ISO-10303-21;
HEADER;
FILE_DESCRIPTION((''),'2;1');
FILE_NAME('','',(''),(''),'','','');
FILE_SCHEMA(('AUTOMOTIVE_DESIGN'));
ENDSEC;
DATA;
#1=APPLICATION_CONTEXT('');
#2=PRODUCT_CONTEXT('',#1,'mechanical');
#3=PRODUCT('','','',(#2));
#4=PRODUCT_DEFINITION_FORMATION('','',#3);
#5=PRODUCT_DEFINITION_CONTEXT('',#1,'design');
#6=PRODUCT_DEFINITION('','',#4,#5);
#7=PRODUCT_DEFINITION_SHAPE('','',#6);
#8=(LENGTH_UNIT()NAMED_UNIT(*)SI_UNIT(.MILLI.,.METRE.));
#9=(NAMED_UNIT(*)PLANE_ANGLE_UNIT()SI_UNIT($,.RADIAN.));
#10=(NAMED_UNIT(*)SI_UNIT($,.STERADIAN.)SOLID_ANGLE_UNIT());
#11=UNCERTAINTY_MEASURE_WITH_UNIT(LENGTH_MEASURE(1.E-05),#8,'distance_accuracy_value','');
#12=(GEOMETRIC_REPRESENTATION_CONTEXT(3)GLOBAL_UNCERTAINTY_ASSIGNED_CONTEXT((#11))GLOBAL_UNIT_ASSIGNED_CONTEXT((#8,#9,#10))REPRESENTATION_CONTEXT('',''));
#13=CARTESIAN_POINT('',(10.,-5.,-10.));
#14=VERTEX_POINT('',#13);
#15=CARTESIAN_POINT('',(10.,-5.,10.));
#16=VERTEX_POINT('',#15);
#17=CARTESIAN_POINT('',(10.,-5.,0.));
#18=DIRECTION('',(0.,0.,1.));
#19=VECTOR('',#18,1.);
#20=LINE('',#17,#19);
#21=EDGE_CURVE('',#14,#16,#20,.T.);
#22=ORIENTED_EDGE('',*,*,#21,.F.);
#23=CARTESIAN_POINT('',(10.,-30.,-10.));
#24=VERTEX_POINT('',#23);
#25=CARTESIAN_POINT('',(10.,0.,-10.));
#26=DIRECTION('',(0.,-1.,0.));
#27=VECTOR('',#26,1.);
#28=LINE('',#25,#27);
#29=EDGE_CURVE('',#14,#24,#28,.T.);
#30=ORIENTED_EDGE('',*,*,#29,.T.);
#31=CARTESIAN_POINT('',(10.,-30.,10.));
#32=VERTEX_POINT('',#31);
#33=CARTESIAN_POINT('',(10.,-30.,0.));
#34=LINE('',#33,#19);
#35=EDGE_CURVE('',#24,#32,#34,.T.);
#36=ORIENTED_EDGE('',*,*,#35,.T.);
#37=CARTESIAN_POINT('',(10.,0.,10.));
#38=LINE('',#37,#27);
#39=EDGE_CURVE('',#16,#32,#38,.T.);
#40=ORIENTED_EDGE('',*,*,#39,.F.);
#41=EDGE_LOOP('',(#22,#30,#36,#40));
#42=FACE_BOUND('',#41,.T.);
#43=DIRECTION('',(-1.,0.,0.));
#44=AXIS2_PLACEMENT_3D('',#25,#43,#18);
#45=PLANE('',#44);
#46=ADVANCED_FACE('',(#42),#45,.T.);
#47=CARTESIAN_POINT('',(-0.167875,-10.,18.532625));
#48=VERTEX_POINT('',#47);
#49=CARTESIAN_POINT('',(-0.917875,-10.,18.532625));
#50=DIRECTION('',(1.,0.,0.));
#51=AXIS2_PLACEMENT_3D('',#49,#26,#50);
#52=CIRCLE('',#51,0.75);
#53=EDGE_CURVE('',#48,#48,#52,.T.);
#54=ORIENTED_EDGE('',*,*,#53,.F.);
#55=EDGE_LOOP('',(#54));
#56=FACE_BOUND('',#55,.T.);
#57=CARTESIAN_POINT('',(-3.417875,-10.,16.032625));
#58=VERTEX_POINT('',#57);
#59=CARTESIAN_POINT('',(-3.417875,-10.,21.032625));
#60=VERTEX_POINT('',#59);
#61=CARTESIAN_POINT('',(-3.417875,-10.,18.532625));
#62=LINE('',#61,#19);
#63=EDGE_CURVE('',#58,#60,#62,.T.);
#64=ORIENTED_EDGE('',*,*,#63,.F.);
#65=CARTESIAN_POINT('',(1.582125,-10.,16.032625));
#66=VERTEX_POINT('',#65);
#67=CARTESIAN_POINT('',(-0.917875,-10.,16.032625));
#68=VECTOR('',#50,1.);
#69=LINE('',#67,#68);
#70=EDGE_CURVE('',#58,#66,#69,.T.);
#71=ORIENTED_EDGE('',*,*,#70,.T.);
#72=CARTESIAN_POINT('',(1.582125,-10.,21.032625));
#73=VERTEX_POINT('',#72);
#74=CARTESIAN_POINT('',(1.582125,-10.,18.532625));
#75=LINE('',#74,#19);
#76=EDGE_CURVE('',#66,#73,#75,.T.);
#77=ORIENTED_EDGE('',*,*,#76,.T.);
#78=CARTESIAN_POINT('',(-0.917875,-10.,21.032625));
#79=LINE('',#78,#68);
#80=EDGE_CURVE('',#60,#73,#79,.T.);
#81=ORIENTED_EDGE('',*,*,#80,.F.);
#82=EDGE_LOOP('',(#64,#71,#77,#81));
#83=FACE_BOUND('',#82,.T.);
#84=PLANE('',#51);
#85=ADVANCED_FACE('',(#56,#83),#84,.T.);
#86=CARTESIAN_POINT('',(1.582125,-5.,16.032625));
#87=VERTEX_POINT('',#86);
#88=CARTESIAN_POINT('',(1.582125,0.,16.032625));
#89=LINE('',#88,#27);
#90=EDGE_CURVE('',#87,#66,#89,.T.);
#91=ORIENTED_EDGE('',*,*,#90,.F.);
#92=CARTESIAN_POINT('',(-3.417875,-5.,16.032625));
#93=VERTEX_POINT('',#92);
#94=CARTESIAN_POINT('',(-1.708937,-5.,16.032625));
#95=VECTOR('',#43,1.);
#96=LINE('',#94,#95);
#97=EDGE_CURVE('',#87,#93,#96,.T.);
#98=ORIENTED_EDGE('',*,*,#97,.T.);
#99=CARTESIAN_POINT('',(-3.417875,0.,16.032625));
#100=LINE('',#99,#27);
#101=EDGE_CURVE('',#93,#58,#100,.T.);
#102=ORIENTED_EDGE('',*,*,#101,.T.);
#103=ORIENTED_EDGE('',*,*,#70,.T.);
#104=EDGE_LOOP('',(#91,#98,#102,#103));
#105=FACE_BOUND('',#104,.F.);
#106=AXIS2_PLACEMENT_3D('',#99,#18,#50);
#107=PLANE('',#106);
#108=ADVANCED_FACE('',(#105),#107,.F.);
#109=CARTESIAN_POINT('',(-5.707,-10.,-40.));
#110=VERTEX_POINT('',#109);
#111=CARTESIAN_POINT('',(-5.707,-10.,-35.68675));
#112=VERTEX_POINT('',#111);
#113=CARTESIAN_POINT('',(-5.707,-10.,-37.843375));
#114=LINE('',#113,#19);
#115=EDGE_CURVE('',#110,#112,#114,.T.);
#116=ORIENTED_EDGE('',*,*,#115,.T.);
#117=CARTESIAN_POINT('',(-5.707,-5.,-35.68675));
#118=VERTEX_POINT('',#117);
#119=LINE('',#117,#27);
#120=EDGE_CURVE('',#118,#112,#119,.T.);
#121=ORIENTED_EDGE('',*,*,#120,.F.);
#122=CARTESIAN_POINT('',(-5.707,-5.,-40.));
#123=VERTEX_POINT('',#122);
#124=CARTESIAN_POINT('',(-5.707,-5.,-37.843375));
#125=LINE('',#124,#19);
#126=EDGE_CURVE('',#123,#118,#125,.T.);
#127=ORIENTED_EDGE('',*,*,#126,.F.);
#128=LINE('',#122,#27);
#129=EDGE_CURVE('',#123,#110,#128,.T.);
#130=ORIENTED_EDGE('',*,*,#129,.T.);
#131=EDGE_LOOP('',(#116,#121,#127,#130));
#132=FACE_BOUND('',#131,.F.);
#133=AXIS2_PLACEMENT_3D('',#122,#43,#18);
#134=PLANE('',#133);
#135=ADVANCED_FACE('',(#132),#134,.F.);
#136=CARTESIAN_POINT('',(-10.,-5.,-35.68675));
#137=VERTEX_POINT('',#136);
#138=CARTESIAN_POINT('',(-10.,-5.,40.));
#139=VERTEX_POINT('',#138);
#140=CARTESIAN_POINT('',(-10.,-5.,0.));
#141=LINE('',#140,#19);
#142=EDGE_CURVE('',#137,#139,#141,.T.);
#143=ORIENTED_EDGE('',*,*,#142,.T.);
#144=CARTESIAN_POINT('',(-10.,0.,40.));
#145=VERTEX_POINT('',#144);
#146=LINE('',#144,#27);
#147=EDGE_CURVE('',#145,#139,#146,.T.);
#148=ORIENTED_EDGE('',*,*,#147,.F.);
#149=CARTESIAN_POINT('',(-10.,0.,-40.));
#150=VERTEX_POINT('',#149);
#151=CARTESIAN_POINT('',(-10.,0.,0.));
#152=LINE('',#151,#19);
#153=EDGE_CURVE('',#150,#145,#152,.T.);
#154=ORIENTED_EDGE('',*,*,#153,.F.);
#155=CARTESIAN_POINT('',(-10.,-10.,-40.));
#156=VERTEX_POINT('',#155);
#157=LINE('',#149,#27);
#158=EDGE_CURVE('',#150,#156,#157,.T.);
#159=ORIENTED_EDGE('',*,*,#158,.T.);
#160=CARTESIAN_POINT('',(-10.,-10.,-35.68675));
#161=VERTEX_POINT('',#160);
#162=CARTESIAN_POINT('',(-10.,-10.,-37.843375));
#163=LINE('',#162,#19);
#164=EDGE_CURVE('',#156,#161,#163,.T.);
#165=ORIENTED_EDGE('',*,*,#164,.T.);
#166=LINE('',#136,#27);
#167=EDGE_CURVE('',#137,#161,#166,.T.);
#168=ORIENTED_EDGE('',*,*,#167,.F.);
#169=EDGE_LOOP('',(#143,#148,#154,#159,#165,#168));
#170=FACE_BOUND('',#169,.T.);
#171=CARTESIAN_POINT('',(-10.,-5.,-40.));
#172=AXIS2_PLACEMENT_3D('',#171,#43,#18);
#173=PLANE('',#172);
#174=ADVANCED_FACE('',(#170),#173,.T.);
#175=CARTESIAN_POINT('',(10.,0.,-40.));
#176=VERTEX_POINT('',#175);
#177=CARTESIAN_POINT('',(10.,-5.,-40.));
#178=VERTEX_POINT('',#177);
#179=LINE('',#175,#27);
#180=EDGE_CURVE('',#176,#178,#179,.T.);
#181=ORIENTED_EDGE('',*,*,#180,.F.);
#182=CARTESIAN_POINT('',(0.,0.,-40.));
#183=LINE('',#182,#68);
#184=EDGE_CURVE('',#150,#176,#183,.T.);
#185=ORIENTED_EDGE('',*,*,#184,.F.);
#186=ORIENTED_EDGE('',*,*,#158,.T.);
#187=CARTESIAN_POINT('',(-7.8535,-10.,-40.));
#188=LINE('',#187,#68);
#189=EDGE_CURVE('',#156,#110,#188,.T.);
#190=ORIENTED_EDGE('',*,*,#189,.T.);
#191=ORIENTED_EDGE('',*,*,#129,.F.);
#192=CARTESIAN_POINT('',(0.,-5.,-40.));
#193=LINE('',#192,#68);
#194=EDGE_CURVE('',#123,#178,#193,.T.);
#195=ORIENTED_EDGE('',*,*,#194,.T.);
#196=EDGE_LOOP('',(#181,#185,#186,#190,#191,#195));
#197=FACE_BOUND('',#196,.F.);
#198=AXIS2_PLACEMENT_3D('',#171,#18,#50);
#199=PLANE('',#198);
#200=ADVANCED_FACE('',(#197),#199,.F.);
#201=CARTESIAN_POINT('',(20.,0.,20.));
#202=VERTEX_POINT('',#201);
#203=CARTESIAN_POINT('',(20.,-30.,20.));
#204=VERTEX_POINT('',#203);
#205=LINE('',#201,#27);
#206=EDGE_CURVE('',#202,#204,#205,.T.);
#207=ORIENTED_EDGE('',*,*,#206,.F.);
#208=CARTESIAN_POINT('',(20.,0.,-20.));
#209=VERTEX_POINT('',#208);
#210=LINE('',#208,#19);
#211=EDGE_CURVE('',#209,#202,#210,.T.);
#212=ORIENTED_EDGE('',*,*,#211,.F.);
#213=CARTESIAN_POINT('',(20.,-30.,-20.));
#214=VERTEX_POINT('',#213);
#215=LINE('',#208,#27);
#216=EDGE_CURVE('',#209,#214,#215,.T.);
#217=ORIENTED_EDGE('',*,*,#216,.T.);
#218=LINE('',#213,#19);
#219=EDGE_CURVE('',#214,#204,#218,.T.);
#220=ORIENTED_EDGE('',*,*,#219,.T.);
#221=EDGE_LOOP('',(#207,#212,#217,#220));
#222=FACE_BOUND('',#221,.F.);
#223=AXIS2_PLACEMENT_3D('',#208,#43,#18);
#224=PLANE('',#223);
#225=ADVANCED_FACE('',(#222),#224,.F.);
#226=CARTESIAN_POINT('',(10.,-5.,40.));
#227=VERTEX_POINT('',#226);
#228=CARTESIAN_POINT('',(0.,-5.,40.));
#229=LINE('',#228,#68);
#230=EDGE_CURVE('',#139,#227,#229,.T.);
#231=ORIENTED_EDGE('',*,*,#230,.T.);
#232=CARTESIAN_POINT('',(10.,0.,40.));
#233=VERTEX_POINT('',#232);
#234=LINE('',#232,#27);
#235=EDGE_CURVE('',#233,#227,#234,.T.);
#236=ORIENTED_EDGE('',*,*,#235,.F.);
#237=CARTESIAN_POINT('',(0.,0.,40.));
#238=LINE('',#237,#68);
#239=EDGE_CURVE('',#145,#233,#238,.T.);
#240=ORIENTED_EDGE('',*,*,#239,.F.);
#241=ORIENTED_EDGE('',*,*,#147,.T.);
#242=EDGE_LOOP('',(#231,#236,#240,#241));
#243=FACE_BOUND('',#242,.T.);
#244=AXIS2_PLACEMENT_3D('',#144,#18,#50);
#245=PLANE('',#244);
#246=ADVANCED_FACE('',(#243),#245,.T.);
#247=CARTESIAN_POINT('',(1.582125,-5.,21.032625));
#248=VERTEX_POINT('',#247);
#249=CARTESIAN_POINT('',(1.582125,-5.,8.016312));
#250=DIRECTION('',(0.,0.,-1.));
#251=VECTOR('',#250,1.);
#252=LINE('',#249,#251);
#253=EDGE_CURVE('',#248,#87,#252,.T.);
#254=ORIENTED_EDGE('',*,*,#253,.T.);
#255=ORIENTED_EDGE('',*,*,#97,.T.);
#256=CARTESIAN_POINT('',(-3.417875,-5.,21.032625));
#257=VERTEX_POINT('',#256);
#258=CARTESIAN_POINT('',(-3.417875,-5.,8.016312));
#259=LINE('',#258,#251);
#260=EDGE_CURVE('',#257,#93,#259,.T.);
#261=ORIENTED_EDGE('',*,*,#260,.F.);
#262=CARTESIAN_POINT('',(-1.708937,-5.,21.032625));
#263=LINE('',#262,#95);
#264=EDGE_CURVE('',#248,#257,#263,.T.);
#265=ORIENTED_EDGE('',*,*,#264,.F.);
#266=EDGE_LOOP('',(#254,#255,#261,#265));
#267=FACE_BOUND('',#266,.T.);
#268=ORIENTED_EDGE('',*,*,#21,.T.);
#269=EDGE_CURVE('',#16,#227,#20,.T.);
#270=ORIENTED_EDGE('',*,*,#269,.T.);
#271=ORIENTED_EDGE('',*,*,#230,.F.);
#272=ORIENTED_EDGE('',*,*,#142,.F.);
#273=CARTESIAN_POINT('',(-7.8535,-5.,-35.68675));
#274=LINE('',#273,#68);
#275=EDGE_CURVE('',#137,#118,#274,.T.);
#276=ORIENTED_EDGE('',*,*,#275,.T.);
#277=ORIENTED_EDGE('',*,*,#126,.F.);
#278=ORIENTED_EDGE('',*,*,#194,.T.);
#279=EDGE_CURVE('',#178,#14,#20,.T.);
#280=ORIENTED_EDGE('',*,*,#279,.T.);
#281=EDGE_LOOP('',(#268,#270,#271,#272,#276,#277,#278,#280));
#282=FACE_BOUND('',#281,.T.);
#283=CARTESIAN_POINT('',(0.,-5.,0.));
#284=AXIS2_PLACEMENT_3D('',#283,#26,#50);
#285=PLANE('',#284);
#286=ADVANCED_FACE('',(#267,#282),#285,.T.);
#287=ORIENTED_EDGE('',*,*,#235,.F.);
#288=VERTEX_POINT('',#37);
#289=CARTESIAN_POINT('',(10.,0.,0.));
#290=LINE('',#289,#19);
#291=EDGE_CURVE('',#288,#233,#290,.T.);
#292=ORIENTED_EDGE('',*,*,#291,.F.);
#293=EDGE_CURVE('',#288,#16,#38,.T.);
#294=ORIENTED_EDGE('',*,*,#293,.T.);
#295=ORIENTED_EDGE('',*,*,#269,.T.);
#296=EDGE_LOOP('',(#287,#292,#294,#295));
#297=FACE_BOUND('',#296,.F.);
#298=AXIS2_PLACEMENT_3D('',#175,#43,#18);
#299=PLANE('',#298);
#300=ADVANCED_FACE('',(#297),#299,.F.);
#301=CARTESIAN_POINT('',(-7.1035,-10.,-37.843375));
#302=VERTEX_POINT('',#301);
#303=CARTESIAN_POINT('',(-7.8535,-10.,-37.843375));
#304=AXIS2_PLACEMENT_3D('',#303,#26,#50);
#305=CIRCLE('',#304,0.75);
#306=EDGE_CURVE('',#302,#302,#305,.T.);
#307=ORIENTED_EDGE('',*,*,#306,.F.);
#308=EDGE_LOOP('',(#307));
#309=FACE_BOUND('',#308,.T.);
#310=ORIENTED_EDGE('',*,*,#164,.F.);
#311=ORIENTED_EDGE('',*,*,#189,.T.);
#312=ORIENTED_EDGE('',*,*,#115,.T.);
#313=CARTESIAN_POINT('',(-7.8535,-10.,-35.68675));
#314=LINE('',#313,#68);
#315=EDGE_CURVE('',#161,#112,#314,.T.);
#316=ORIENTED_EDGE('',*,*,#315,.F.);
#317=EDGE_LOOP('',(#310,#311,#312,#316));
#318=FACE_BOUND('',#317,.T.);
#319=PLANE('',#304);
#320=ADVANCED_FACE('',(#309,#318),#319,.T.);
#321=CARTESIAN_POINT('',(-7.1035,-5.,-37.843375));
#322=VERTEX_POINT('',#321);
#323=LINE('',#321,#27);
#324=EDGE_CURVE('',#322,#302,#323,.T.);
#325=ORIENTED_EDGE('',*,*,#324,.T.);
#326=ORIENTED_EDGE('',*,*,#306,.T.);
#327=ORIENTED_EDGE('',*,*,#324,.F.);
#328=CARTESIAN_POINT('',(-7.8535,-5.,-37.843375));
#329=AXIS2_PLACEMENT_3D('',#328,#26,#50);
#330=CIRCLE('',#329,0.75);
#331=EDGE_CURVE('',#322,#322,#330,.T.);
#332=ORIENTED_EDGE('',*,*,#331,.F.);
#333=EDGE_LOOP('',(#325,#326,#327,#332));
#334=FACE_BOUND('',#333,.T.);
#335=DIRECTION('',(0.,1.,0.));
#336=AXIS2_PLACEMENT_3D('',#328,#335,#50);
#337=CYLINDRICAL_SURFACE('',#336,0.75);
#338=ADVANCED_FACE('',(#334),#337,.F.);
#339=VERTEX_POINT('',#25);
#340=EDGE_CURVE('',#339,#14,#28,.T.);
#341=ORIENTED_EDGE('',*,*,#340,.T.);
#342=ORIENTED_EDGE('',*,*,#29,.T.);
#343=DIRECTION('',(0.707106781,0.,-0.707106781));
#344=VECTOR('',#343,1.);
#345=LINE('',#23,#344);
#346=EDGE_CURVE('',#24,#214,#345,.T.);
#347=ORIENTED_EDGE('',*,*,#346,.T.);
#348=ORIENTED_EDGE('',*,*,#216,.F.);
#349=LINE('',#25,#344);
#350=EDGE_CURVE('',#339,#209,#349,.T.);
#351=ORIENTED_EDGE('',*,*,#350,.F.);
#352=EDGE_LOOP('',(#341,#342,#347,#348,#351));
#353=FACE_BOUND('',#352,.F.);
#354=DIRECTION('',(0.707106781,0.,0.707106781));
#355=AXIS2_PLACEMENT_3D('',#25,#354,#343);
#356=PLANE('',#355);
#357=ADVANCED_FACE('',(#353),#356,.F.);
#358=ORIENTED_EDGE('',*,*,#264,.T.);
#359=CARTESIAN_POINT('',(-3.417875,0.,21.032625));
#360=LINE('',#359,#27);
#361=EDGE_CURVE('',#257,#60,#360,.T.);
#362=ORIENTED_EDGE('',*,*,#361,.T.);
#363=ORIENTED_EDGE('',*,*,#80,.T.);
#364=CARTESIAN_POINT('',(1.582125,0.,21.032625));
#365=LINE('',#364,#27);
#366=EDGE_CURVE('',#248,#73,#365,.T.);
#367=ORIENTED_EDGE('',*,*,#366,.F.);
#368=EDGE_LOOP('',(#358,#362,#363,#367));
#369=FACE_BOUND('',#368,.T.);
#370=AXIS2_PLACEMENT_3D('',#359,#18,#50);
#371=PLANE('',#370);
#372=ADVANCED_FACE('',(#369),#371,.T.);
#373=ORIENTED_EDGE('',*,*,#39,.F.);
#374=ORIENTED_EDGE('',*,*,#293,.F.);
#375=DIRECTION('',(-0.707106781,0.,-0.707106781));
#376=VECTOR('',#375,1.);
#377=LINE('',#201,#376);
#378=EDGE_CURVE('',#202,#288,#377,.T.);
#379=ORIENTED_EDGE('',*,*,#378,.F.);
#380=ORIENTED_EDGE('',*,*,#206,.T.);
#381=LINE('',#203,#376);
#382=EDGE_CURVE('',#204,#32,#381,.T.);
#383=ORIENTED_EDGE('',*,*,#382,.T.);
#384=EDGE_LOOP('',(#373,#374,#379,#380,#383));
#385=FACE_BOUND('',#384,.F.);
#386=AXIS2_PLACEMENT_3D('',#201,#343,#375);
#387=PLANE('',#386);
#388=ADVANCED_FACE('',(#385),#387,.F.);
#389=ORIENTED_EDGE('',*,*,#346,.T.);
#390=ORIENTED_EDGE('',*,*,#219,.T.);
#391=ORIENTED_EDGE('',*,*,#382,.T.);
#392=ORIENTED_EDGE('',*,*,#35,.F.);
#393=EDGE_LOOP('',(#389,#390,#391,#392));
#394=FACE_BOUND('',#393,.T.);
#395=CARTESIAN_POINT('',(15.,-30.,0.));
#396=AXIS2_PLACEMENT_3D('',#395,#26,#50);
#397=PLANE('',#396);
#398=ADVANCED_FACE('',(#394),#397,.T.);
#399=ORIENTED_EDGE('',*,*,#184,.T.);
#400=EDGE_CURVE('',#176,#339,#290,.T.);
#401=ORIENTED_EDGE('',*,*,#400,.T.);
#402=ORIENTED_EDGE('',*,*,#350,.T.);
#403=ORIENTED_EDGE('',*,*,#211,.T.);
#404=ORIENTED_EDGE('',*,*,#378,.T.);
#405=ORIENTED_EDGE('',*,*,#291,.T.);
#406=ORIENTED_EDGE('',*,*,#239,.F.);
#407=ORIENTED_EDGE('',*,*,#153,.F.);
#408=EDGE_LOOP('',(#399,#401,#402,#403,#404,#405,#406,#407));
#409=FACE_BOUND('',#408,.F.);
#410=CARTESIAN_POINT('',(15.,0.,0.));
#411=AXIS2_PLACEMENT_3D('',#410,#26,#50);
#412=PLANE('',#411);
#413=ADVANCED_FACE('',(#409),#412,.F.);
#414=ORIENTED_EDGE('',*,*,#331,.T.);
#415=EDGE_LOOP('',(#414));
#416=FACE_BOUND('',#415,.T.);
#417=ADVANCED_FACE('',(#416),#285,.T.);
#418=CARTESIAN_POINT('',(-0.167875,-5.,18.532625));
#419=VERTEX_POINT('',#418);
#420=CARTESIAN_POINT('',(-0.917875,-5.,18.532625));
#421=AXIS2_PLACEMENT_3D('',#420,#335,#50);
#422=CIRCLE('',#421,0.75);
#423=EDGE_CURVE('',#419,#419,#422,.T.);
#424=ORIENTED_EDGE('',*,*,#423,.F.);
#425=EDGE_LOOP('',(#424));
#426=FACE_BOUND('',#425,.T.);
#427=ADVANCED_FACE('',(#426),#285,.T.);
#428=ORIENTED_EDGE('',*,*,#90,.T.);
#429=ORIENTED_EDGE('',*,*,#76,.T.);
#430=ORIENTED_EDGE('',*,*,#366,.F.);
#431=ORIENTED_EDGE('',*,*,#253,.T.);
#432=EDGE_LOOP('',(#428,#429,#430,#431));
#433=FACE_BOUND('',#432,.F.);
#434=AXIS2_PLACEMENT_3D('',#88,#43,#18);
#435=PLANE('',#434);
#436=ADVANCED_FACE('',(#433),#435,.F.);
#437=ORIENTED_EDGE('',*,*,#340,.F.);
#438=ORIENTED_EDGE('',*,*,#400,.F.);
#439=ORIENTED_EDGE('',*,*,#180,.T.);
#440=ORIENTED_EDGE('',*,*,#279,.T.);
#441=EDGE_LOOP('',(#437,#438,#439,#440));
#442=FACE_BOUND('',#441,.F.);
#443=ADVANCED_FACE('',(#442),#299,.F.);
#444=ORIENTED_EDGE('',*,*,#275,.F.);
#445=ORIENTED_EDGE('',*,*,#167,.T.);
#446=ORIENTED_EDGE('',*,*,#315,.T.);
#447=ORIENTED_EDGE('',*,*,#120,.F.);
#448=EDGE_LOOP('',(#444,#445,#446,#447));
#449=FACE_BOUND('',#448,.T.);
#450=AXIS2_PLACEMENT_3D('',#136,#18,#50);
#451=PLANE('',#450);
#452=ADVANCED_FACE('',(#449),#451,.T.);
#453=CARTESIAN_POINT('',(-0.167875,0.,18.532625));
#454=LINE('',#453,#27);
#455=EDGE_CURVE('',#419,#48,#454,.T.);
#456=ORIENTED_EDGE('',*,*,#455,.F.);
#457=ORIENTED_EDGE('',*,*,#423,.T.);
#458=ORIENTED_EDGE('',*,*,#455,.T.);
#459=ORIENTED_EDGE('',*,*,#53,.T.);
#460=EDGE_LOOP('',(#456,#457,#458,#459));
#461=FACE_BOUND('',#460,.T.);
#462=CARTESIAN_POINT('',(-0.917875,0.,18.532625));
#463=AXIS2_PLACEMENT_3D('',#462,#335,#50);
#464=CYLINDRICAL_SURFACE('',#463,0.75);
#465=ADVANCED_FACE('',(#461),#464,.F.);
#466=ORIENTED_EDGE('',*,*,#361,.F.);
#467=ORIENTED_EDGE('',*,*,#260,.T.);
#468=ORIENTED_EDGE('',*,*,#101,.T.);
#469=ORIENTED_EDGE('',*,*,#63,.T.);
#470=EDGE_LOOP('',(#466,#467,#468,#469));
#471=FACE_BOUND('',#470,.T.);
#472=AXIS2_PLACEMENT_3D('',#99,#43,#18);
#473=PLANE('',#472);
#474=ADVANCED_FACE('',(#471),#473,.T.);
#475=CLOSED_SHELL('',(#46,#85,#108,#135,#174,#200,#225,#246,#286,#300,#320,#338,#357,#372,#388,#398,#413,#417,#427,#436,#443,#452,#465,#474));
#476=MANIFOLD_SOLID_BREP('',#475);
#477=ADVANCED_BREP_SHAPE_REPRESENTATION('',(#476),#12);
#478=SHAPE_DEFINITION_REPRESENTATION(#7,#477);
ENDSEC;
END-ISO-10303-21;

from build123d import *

# Parameters (mm, degrees)
F0_W     = 20
F0_H     = 80
F1_DEPTH = 5
F3_W     = 5
F3_H     = 5
F3_R     = 0.75
F4_DEPTH = 10
F2_W     = 4.293
F2_H     = 4.31325
F2_R     = 0.75
F5_DEPTH = 5
F6_W     = 10
F6_H     = 20
F7_DEPTH = 30


with BuildPart() as f1:
    # F0 (on Front) → F1 (new body)
    with BuildSketch(Plane.XZ):
        Rectangle(F0_W, F0_H)
    extrude(amount=F1_DEPTH)

    # F3 (on Front) → F4 (join)
    with BuildSketch(Plane.XZ):
        with Locations((-0.917875, 18.532625)):
            Rectangle(F3_W, F3_H)
        with Locations((-0.917875, 18.532625)):
            Circle(F3_R, mode=Mode.SUBTRACT)
    extrude(amount=F4_DEPTH)

    # F2 (on face) → F5 (join)
    with BuildSketch(Plane.XZ.offset(5)):
        with Locations((-7.8535, -37.843375)):
            Rectangle(F2_W, F2_H)
        with Locations((-7.8535, -37.843375)):
            Circle(F2_R, mode=Mode.SUBTRACT)
    extrude(amount=F5_DEPTH)

    # F6 (on Front) → F7 (join)
    with BuildSketch(Plane.XZ):
        with Locations((15, 0)):
            Rectangle(F6_W, F6_H)
        Polygon((20, -10), (10, -10), (20, -20), align=None)
        Polygon((20, 20), (10, 10), (20, 10), align=None)
    extrude(amount=F7_DEPTH)


solid = f1.part
